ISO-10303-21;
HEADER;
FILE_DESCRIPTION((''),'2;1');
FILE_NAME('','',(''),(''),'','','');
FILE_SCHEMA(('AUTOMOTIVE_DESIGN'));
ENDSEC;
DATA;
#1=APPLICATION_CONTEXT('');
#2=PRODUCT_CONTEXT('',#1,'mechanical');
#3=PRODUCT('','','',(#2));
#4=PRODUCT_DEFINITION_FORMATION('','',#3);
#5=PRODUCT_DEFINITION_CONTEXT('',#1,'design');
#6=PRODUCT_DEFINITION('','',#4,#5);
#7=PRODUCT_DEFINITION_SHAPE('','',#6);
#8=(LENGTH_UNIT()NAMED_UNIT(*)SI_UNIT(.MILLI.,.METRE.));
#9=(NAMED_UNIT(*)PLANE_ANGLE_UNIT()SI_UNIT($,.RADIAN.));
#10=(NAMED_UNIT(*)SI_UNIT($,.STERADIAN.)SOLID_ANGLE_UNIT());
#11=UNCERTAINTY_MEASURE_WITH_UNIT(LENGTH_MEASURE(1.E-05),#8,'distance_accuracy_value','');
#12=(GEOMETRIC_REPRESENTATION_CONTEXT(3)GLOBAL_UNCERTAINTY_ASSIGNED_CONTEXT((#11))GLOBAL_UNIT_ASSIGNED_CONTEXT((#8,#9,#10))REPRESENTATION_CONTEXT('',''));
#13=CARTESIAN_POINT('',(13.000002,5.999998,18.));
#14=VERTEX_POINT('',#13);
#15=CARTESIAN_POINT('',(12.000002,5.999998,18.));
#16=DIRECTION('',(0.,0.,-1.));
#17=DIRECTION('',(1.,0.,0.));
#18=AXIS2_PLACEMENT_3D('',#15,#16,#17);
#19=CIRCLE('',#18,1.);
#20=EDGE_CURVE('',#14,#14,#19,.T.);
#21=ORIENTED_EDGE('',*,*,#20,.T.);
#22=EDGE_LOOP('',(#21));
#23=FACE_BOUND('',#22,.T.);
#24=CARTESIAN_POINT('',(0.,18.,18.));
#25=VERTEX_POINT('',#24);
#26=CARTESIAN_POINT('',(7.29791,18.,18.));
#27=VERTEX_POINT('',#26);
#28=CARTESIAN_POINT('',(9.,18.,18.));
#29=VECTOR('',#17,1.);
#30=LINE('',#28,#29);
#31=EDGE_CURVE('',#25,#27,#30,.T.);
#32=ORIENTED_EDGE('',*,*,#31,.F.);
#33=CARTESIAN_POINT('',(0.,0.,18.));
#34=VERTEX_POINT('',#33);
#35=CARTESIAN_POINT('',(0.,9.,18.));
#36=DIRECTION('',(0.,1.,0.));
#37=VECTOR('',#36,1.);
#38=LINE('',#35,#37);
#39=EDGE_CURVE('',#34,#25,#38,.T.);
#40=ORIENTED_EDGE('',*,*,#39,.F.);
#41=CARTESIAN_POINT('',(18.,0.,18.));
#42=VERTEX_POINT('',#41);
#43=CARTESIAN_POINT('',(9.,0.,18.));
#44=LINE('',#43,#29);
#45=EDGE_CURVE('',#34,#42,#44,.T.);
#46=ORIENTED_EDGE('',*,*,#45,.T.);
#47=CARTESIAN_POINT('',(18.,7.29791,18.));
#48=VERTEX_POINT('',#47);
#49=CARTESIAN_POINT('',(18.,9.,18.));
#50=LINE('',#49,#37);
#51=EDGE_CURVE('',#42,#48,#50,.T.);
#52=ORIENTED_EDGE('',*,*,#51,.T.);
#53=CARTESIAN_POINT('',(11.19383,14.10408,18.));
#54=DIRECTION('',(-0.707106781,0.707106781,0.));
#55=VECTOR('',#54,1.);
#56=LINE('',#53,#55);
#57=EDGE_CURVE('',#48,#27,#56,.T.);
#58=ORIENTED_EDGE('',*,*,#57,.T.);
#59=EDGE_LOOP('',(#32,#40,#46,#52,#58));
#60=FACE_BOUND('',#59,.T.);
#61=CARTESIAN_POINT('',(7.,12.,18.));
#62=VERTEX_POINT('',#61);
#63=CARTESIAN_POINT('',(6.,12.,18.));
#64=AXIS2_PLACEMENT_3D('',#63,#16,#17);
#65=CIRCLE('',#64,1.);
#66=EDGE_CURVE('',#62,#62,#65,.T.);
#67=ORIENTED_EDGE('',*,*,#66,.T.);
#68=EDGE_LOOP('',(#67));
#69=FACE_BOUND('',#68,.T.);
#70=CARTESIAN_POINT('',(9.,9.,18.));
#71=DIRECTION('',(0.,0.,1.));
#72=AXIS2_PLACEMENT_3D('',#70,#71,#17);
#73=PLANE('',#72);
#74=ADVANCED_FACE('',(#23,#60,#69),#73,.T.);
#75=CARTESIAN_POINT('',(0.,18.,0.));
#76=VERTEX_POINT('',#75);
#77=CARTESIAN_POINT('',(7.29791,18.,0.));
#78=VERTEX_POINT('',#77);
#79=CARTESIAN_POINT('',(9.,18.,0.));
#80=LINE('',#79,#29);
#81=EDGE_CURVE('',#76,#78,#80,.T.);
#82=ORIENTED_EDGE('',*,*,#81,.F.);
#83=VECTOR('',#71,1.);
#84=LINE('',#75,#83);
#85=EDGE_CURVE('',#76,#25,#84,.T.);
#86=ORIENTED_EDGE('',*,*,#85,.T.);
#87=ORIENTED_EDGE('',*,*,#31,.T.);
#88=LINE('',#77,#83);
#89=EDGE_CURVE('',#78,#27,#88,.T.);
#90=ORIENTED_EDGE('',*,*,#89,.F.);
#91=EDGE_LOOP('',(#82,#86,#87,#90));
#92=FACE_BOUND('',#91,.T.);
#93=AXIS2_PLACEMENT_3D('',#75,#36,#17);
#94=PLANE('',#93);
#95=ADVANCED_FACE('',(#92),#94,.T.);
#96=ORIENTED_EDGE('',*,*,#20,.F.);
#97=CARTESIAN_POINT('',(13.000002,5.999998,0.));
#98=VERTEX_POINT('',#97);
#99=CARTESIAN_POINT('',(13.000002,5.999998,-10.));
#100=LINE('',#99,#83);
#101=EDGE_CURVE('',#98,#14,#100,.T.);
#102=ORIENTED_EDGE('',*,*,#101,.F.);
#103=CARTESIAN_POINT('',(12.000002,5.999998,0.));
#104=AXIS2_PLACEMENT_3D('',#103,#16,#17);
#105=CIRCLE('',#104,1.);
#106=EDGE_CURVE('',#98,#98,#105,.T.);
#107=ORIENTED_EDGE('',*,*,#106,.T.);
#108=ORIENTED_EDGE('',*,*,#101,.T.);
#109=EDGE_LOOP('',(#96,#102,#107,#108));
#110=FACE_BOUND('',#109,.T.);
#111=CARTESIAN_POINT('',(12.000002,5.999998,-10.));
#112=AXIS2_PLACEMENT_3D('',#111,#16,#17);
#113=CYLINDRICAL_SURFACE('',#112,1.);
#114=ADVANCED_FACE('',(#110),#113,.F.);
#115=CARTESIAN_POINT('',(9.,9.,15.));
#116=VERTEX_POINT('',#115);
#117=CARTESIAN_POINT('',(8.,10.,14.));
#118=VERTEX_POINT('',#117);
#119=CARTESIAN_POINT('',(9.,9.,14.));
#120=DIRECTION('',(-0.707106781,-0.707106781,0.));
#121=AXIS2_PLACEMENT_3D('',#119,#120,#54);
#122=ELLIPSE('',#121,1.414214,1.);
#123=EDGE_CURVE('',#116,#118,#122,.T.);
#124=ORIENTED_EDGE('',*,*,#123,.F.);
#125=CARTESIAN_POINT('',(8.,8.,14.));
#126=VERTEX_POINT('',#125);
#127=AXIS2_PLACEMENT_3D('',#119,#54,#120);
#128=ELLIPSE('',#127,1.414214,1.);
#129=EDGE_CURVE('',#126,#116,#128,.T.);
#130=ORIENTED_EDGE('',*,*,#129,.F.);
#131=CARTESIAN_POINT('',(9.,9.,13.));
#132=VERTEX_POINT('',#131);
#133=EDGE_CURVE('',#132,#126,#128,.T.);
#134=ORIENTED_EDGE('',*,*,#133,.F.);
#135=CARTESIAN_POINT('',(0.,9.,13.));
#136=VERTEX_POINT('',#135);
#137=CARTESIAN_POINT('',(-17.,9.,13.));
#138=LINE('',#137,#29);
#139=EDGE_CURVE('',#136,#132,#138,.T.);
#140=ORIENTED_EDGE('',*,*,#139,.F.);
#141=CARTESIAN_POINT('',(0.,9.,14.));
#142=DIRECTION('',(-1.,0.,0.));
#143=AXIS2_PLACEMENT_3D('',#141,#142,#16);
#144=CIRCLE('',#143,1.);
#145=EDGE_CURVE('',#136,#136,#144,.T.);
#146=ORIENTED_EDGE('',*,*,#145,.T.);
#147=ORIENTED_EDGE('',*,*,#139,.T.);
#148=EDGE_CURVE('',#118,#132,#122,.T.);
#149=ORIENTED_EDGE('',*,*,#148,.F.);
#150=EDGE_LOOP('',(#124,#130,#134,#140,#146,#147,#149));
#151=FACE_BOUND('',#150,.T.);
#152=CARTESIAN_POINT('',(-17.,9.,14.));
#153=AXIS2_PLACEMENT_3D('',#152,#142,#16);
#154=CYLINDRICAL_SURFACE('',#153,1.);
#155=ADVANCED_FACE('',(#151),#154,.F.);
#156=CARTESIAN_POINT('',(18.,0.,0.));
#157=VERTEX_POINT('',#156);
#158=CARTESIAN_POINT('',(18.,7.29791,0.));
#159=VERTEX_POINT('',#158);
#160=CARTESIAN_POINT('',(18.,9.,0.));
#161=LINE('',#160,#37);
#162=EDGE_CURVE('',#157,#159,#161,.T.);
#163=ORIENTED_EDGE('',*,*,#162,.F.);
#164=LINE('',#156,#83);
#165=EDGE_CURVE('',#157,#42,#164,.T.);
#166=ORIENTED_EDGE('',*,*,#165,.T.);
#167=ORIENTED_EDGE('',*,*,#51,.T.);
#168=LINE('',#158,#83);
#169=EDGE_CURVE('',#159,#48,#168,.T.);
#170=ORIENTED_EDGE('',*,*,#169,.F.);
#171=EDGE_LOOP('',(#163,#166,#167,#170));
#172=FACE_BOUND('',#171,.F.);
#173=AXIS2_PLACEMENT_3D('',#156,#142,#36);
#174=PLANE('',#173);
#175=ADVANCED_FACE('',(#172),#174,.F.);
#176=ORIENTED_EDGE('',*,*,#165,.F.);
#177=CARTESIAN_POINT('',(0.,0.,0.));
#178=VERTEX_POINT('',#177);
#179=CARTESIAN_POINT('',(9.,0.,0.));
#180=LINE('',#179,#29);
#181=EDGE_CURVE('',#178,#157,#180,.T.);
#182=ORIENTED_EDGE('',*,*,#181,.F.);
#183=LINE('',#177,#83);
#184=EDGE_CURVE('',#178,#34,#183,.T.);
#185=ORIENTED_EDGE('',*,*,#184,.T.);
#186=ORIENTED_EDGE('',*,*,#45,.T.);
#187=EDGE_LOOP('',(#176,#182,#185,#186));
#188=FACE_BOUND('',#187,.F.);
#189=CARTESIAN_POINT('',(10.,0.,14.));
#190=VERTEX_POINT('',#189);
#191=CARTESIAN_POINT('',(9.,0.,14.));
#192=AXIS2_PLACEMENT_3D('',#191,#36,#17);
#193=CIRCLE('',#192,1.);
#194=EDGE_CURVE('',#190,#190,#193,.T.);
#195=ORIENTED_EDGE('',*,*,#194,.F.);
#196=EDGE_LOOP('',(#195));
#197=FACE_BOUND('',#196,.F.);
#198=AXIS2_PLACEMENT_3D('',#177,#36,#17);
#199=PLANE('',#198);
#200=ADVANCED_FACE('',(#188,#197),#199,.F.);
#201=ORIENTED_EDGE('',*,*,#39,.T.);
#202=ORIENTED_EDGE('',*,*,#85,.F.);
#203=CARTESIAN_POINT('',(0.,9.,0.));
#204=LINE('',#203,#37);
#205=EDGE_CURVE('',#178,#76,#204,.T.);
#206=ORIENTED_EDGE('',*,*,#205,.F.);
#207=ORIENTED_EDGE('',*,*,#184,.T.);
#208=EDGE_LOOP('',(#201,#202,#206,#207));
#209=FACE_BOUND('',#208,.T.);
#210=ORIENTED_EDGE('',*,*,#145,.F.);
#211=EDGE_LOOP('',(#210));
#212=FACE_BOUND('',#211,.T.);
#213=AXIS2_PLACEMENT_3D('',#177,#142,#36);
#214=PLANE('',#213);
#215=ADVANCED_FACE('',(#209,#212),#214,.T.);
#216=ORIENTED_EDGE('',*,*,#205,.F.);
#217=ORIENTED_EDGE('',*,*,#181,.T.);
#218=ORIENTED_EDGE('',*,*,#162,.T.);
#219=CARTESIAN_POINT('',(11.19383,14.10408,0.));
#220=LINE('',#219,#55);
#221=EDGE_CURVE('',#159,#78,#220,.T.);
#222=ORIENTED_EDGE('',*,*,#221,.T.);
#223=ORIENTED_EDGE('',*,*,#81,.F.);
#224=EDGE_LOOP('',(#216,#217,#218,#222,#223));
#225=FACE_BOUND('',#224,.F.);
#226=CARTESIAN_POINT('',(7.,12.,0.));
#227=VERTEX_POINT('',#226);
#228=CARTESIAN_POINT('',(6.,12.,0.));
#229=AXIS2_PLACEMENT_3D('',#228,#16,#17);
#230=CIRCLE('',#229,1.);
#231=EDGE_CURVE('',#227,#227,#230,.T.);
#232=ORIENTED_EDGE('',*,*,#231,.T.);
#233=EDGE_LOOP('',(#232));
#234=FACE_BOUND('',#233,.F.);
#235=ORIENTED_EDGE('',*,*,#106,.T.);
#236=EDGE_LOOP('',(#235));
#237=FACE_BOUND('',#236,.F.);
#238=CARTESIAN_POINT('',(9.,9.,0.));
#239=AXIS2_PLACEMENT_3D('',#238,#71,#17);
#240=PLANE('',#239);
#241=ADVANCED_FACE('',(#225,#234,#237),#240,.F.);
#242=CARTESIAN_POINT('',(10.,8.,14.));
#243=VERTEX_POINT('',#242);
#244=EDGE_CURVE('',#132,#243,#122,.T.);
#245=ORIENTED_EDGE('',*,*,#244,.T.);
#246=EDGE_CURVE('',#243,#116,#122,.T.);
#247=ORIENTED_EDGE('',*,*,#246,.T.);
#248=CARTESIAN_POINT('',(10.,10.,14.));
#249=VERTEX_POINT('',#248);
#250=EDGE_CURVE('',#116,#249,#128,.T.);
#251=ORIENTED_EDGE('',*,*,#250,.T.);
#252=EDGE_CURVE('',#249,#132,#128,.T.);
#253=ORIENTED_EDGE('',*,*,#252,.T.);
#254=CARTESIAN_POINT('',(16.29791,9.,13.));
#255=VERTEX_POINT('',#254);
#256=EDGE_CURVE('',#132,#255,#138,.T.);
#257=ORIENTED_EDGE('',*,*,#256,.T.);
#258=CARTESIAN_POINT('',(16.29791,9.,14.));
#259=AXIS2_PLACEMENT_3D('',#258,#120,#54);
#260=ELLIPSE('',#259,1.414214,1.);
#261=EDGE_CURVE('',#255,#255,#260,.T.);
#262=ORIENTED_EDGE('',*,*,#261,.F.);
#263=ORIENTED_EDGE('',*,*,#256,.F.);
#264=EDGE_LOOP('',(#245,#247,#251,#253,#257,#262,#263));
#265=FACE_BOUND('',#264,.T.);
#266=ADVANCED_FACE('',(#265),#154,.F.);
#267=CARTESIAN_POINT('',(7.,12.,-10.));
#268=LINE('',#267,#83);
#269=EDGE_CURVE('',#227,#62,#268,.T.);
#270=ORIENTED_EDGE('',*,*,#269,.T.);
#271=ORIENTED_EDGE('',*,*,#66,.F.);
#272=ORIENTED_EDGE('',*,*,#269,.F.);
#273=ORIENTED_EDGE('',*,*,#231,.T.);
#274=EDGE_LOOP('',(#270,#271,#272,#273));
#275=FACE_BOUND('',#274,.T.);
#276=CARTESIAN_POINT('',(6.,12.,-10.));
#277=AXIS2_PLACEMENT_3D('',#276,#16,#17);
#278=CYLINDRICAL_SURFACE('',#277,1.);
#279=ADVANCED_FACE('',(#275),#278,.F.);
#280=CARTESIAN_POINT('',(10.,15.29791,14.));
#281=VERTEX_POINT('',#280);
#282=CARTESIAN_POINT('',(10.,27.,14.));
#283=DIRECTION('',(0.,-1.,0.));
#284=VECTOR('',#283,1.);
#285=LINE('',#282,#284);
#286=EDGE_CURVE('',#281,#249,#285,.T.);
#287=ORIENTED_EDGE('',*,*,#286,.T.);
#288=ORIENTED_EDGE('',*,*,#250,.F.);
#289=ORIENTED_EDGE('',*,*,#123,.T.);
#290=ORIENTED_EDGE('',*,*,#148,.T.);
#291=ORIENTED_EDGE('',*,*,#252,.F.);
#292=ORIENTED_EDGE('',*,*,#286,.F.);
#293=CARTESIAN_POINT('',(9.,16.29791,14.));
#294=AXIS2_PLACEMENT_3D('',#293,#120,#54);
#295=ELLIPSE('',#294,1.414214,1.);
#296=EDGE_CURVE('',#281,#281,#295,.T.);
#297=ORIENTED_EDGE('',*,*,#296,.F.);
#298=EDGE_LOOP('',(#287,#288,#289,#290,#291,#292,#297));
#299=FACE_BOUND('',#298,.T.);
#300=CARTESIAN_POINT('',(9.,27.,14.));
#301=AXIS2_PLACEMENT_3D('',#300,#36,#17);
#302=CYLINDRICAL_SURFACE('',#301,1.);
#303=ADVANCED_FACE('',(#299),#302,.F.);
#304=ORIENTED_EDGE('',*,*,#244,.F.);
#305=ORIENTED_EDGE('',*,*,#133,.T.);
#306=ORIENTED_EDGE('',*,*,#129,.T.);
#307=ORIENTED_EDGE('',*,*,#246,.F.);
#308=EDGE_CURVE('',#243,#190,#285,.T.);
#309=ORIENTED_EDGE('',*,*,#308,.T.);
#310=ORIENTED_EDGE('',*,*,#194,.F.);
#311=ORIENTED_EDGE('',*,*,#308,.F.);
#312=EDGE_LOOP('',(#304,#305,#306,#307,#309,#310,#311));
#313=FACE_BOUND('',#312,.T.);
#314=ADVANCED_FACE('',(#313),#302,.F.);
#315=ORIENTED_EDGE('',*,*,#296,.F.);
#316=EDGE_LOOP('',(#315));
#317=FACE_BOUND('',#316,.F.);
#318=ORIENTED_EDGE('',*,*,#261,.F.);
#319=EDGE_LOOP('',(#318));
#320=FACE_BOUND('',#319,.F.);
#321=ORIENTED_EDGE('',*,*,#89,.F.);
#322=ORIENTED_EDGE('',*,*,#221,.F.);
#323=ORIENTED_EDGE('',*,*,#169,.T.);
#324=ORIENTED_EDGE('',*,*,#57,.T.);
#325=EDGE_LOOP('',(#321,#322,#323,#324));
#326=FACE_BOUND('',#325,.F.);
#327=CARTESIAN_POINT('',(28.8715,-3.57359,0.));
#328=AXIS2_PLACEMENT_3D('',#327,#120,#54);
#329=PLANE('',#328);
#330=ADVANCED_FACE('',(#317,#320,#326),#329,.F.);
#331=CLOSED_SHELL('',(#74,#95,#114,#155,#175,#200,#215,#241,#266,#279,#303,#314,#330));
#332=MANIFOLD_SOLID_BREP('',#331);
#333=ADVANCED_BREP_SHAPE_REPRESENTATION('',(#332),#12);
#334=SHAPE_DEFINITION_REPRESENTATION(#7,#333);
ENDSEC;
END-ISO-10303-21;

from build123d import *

# Parameters (mm, degrees)
CYLINDER003_R          = 1
CYLINDER003_DEPTH      = 50
CYLINDER004_R          = 1
CYLINDER004_DEPTH      = 50
BOX002_W               = 18
BOX002_H               = 50
BOX002_DEPTH           = 18
BOX002_PLACEMENT_ANGLE = 45
CYLINDER002_R          = 1
CYLINDER002_DEPTH      = 50
ARRAY001_Y_COUNT       = 2
ARRAY001_Y_PITCH       = 8.485281
BOX001_W               = 18
BOX001_H               = 18
BOX001_DEPTH           = 18


with BuildPart() as cylinder003:
    # Cylinder003 → Cylinder003 (new body)
    with BuildSketch(Plane(origin=(-17, 9, 14), x_dir=(0, 0, -1), z_dir=(1, 0, 0))):
        Circle(CYLINDER003_R)
    extrude(amount=CYLINDER003_DEPTH)


with BuildPart() as cylinder004:
    # Cylinder004 → Cylinder004 (new body)
    with BuildSketch(Plane(origin=(9, 27, 14), x_dir=(1, 0, 0), z_dir=(0, -1, 0))):
        Circle(CYLINDER004_R)
    extrude(amount=CYLINDER004_DEPTH)


with BuildPart() as cube002:
    # Box002 → Box002 (new body)
    with BuildSketch(Plane.XY):
        with Locations((9, 25)):
            Rectangle(BOX002_W, BOX002_H)
    extrude(amount=BOX002_DEPTH)


with BuildPart() as cube002_1:
    # Box002 placement: moved
    add(cube002.part.moved(Location((28.8715, -3.57359, 0))).rotate(Axis((28.8715, -3.57359, 0), (0, 0, 1)), BOX002_PLACEMENT_ANGLE))


with BuildPart() as fusion001:
    # Cylinder002 → Cylinder002 (new body)
    with BuildSketch(Plane(origin=(6, 12, -10), x_dir=(1, 0, 0), z_dir=(0, 0, 1))):
        Circle(CYLINDER002_R)
    extrude(amount=CYLINDER002_DEPTH)

    # Array001 Y: Fusion001 ×2


with BuildPart() as fusion001_1:
    add(fusion001.part)
    with Locations(*[Vector(0.707107, -0.707107, 0) * (i * ARRAY001_Y_PITCH) for i in range(1, ARRAY001_Y_COUNT)]):
        add(fusion001.part)

    # Fusion001: union Cylinder003, Cylinder004, Cube002
    add(cylinder003.part)
    add(cylinder004.part)
    add(cube002_1.part)


with BuildPart() as cut001:
    # Box001 → Box001 (new body)
    with BuildSketch(Plane.XY):
        with Locations((9, 9)):
            Rectangle(BOX001_W, BOX001_H)
    extrude(amount=BOX001_DEPTH)

    # Cut001: cut Fusion001
    add(fusion001_1.part, mode=Mode.SUBTRACT)


solid = cut001.part
